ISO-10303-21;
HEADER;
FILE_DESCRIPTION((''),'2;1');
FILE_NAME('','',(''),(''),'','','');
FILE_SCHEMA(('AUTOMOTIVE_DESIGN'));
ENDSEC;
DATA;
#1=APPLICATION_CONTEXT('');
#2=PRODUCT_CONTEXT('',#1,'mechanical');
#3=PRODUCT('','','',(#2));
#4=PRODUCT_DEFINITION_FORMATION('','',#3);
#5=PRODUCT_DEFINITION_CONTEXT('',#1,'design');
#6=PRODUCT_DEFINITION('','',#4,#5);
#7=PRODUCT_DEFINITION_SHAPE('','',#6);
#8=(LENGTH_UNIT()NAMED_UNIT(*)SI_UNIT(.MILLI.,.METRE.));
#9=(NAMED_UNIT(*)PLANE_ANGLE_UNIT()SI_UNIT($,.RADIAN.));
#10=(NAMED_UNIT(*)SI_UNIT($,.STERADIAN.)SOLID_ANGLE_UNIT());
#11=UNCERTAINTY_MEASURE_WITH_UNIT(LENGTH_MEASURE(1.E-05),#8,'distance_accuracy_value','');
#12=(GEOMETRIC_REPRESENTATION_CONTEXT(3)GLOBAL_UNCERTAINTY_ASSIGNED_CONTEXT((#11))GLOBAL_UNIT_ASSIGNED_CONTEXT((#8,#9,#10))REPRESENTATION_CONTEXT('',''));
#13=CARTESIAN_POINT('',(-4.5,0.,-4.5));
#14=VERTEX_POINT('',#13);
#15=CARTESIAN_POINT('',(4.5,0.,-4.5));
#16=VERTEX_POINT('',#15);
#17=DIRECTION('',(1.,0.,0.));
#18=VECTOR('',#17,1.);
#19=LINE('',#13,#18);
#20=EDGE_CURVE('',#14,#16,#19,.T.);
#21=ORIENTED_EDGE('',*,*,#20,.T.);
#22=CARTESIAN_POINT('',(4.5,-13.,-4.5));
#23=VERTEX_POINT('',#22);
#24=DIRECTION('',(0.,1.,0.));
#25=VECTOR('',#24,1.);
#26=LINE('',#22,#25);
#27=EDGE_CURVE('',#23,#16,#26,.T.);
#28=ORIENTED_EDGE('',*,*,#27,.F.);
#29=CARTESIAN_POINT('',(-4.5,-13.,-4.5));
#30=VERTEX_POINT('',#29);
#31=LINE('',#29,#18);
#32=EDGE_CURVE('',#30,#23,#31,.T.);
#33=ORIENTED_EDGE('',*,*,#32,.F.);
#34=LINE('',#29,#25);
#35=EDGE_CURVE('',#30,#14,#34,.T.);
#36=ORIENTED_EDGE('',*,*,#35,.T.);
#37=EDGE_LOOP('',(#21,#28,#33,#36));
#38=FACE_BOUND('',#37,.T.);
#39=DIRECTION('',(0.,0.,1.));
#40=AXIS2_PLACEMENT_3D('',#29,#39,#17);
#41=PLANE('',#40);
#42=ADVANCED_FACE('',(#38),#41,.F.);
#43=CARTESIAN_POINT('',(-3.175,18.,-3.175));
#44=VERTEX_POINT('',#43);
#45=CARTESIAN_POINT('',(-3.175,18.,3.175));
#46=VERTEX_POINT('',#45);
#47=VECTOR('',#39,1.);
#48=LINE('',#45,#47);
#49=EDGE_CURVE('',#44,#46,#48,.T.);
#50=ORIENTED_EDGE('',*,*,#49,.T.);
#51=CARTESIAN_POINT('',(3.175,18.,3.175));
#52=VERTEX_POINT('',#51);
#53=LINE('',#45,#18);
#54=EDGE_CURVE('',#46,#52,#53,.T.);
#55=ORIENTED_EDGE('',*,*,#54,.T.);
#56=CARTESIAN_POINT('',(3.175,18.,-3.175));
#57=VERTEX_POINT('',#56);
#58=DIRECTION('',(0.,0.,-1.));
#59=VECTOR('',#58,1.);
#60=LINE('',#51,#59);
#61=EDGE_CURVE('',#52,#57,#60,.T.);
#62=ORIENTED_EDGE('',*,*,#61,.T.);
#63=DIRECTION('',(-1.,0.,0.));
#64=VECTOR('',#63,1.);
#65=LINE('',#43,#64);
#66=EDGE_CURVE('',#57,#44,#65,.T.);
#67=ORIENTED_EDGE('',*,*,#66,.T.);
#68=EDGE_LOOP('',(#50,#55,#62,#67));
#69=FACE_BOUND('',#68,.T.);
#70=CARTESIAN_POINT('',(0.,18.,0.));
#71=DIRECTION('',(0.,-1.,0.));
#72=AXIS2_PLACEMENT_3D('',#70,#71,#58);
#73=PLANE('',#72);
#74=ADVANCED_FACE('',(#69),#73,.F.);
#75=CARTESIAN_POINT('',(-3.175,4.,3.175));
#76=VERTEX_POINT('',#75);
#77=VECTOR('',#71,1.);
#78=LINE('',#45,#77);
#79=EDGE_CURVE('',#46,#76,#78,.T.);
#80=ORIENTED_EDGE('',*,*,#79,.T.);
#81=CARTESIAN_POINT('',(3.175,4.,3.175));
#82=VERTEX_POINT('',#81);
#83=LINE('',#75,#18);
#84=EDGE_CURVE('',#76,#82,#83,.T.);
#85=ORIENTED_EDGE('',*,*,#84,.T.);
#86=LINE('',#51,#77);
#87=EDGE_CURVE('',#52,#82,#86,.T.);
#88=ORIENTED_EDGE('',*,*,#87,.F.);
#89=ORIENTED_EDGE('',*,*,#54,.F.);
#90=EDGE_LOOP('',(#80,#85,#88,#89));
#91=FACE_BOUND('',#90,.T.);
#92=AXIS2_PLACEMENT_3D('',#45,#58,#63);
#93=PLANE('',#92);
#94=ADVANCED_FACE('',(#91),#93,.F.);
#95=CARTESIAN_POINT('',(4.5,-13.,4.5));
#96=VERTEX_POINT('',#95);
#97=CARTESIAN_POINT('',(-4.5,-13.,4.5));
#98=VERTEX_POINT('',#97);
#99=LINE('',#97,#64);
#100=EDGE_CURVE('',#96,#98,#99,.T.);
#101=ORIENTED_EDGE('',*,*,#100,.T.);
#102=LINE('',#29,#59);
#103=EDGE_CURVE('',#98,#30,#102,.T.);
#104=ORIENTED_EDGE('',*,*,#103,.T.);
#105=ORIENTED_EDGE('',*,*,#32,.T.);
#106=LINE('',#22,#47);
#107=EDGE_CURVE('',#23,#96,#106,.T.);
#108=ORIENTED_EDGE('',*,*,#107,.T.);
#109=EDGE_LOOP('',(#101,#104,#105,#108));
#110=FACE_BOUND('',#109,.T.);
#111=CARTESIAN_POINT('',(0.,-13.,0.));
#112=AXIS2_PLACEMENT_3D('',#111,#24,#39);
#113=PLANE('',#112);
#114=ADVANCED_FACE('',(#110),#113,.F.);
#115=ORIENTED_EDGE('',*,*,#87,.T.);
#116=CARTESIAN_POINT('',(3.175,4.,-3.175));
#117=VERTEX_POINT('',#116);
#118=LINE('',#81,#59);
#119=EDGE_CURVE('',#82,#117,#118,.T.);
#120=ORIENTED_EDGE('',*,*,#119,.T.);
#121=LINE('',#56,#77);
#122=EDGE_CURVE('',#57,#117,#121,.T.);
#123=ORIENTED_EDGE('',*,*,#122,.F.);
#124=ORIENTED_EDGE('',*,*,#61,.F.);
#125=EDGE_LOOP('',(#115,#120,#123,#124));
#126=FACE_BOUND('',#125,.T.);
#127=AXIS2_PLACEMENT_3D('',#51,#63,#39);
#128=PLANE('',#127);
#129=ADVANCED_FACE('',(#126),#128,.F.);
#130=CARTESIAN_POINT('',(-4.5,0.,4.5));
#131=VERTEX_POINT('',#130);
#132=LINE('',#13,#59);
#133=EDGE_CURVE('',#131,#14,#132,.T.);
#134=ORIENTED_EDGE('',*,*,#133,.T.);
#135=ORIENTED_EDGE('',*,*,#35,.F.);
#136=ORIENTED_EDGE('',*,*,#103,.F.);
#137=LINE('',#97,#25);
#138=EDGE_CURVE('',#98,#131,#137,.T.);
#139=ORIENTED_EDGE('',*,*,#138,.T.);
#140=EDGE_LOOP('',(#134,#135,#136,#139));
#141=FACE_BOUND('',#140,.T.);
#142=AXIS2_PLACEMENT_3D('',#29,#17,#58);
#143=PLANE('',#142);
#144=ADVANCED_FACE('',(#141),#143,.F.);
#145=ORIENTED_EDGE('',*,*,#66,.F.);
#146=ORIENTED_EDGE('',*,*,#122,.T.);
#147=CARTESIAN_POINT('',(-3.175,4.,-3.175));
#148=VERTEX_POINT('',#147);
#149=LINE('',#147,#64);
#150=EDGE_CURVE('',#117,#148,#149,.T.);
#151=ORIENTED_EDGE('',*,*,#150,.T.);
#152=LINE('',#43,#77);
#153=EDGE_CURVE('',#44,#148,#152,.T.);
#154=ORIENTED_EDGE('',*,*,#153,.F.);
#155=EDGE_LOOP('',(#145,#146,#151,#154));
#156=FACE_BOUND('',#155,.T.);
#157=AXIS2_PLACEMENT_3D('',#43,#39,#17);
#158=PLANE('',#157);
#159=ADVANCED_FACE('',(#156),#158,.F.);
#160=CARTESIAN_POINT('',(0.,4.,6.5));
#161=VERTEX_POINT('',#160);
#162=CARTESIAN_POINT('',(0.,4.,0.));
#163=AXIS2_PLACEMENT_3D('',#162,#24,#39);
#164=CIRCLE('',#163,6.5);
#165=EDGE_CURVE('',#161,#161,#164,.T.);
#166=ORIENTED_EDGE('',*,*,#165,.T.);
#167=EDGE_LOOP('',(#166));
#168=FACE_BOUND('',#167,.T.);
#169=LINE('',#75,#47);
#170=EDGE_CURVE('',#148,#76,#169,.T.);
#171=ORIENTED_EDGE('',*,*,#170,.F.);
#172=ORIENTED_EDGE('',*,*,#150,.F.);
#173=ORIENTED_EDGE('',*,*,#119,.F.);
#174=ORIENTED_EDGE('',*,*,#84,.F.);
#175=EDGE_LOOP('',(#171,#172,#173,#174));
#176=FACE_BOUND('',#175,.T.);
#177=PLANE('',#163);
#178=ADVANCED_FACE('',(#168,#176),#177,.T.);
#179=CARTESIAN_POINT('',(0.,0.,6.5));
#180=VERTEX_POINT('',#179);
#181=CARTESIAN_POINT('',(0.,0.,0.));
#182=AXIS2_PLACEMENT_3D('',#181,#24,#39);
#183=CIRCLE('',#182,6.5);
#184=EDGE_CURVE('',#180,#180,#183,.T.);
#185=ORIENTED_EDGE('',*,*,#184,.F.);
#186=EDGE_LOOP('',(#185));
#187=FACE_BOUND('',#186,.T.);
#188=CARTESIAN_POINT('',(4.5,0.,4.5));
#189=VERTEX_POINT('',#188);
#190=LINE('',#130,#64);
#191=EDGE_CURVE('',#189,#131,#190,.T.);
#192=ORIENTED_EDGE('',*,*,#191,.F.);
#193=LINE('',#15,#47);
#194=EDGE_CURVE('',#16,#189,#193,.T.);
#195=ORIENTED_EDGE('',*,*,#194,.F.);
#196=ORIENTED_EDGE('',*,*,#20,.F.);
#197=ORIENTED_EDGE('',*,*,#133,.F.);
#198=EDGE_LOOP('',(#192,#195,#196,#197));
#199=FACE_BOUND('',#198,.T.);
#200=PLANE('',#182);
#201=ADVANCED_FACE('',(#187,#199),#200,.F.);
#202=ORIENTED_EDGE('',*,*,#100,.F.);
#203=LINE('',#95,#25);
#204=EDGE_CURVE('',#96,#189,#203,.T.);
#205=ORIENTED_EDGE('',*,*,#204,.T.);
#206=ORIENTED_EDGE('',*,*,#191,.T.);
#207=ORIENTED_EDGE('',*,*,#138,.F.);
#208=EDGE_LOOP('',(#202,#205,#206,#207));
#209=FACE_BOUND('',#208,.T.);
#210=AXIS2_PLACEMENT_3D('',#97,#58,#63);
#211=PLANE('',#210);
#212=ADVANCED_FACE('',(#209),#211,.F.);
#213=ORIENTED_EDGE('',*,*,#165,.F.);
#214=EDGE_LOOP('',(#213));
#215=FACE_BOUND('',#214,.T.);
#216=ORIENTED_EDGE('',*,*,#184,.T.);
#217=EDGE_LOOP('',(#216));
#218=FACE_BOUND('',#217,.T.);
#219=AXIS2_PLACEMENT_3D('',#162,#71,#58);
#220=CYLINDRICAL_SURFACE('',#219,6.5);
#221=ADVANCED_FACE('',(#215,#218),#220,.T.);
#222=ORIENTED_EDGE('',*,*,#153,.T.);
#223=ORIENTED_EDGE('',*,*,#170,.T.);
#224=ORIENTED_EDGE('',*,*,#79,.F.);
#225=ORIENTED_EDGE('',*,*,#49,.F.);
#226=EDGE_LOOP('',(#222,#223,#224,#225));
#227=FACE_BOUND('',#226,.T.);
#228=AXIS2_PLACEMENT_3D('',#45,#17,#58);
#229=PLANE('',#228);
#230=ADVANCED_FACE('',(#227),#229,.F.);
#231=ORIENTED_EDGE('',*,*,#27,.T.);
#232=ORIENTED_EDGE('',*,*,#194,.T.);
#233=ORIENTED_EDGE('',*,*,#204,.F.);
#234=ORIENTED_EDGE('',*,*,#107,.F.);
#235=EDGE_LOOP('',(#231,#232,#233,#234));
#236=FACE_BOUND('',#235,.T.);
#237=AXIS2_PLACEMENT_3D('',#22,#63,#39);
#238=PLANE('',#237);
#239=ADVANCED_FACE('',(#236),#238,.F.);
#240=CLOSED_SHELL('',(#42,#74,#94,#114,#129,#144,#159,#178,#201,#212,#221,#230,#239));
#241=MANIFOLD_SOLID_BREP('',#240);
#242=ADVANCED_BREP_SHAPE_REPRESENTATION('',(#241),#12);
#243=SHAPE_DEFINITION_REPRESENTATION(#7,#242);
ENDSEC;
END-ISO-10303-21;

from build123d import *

# Parameters (mm, degrees)
SKETCH1_R           = 6.5
BOSS_EXTRUDE1_DEPTH = 4
SKETCH2_W           = 6.35
SKETCH2_H           = 6.35
BOSS_EXTRUDE2_DEPTH = 14
SKETCH3_W           = 9
SKETCH3_H           = 9
BOSS_EXTRUDE3_DEPTH = 13


with BuildPart() as part:
    # Sketch1 → Boss-Extrude1 (new body)
    with BuildSketch(Plane(origin=(0, 0, 0), x_dir=(1, 0, 0), z_dir=(0, 1, 0))):
        with Locations(Location((0, 0, 0), (0, 0, 270))):
            Circle(SKETCH1_R)
    extrude(amount=BOSS_EXTRUDE1_DEPTH)

    # Sketch2 → Boss-Extrude2 (add)
    with BuildSketch(Plane(origin=(0, 4, 0), x_dir=(1, 0, 0), z_dir=(0, 1, 0))):
        Rectangle(SKETCH2_W, SKETCH2_H)
    extrude(amount=BOSS_EXTRUDE2_DEPTH)

    # Sketch3 → Boss-Extrude3 (add)
    with BuildSketch(Plane.XZ):
        Rectangle(SKETCH3_W, SKETCH3_H)
    extrude(amount=BOSS_EXTRUDE3_DEPTH)


solid = part.part
